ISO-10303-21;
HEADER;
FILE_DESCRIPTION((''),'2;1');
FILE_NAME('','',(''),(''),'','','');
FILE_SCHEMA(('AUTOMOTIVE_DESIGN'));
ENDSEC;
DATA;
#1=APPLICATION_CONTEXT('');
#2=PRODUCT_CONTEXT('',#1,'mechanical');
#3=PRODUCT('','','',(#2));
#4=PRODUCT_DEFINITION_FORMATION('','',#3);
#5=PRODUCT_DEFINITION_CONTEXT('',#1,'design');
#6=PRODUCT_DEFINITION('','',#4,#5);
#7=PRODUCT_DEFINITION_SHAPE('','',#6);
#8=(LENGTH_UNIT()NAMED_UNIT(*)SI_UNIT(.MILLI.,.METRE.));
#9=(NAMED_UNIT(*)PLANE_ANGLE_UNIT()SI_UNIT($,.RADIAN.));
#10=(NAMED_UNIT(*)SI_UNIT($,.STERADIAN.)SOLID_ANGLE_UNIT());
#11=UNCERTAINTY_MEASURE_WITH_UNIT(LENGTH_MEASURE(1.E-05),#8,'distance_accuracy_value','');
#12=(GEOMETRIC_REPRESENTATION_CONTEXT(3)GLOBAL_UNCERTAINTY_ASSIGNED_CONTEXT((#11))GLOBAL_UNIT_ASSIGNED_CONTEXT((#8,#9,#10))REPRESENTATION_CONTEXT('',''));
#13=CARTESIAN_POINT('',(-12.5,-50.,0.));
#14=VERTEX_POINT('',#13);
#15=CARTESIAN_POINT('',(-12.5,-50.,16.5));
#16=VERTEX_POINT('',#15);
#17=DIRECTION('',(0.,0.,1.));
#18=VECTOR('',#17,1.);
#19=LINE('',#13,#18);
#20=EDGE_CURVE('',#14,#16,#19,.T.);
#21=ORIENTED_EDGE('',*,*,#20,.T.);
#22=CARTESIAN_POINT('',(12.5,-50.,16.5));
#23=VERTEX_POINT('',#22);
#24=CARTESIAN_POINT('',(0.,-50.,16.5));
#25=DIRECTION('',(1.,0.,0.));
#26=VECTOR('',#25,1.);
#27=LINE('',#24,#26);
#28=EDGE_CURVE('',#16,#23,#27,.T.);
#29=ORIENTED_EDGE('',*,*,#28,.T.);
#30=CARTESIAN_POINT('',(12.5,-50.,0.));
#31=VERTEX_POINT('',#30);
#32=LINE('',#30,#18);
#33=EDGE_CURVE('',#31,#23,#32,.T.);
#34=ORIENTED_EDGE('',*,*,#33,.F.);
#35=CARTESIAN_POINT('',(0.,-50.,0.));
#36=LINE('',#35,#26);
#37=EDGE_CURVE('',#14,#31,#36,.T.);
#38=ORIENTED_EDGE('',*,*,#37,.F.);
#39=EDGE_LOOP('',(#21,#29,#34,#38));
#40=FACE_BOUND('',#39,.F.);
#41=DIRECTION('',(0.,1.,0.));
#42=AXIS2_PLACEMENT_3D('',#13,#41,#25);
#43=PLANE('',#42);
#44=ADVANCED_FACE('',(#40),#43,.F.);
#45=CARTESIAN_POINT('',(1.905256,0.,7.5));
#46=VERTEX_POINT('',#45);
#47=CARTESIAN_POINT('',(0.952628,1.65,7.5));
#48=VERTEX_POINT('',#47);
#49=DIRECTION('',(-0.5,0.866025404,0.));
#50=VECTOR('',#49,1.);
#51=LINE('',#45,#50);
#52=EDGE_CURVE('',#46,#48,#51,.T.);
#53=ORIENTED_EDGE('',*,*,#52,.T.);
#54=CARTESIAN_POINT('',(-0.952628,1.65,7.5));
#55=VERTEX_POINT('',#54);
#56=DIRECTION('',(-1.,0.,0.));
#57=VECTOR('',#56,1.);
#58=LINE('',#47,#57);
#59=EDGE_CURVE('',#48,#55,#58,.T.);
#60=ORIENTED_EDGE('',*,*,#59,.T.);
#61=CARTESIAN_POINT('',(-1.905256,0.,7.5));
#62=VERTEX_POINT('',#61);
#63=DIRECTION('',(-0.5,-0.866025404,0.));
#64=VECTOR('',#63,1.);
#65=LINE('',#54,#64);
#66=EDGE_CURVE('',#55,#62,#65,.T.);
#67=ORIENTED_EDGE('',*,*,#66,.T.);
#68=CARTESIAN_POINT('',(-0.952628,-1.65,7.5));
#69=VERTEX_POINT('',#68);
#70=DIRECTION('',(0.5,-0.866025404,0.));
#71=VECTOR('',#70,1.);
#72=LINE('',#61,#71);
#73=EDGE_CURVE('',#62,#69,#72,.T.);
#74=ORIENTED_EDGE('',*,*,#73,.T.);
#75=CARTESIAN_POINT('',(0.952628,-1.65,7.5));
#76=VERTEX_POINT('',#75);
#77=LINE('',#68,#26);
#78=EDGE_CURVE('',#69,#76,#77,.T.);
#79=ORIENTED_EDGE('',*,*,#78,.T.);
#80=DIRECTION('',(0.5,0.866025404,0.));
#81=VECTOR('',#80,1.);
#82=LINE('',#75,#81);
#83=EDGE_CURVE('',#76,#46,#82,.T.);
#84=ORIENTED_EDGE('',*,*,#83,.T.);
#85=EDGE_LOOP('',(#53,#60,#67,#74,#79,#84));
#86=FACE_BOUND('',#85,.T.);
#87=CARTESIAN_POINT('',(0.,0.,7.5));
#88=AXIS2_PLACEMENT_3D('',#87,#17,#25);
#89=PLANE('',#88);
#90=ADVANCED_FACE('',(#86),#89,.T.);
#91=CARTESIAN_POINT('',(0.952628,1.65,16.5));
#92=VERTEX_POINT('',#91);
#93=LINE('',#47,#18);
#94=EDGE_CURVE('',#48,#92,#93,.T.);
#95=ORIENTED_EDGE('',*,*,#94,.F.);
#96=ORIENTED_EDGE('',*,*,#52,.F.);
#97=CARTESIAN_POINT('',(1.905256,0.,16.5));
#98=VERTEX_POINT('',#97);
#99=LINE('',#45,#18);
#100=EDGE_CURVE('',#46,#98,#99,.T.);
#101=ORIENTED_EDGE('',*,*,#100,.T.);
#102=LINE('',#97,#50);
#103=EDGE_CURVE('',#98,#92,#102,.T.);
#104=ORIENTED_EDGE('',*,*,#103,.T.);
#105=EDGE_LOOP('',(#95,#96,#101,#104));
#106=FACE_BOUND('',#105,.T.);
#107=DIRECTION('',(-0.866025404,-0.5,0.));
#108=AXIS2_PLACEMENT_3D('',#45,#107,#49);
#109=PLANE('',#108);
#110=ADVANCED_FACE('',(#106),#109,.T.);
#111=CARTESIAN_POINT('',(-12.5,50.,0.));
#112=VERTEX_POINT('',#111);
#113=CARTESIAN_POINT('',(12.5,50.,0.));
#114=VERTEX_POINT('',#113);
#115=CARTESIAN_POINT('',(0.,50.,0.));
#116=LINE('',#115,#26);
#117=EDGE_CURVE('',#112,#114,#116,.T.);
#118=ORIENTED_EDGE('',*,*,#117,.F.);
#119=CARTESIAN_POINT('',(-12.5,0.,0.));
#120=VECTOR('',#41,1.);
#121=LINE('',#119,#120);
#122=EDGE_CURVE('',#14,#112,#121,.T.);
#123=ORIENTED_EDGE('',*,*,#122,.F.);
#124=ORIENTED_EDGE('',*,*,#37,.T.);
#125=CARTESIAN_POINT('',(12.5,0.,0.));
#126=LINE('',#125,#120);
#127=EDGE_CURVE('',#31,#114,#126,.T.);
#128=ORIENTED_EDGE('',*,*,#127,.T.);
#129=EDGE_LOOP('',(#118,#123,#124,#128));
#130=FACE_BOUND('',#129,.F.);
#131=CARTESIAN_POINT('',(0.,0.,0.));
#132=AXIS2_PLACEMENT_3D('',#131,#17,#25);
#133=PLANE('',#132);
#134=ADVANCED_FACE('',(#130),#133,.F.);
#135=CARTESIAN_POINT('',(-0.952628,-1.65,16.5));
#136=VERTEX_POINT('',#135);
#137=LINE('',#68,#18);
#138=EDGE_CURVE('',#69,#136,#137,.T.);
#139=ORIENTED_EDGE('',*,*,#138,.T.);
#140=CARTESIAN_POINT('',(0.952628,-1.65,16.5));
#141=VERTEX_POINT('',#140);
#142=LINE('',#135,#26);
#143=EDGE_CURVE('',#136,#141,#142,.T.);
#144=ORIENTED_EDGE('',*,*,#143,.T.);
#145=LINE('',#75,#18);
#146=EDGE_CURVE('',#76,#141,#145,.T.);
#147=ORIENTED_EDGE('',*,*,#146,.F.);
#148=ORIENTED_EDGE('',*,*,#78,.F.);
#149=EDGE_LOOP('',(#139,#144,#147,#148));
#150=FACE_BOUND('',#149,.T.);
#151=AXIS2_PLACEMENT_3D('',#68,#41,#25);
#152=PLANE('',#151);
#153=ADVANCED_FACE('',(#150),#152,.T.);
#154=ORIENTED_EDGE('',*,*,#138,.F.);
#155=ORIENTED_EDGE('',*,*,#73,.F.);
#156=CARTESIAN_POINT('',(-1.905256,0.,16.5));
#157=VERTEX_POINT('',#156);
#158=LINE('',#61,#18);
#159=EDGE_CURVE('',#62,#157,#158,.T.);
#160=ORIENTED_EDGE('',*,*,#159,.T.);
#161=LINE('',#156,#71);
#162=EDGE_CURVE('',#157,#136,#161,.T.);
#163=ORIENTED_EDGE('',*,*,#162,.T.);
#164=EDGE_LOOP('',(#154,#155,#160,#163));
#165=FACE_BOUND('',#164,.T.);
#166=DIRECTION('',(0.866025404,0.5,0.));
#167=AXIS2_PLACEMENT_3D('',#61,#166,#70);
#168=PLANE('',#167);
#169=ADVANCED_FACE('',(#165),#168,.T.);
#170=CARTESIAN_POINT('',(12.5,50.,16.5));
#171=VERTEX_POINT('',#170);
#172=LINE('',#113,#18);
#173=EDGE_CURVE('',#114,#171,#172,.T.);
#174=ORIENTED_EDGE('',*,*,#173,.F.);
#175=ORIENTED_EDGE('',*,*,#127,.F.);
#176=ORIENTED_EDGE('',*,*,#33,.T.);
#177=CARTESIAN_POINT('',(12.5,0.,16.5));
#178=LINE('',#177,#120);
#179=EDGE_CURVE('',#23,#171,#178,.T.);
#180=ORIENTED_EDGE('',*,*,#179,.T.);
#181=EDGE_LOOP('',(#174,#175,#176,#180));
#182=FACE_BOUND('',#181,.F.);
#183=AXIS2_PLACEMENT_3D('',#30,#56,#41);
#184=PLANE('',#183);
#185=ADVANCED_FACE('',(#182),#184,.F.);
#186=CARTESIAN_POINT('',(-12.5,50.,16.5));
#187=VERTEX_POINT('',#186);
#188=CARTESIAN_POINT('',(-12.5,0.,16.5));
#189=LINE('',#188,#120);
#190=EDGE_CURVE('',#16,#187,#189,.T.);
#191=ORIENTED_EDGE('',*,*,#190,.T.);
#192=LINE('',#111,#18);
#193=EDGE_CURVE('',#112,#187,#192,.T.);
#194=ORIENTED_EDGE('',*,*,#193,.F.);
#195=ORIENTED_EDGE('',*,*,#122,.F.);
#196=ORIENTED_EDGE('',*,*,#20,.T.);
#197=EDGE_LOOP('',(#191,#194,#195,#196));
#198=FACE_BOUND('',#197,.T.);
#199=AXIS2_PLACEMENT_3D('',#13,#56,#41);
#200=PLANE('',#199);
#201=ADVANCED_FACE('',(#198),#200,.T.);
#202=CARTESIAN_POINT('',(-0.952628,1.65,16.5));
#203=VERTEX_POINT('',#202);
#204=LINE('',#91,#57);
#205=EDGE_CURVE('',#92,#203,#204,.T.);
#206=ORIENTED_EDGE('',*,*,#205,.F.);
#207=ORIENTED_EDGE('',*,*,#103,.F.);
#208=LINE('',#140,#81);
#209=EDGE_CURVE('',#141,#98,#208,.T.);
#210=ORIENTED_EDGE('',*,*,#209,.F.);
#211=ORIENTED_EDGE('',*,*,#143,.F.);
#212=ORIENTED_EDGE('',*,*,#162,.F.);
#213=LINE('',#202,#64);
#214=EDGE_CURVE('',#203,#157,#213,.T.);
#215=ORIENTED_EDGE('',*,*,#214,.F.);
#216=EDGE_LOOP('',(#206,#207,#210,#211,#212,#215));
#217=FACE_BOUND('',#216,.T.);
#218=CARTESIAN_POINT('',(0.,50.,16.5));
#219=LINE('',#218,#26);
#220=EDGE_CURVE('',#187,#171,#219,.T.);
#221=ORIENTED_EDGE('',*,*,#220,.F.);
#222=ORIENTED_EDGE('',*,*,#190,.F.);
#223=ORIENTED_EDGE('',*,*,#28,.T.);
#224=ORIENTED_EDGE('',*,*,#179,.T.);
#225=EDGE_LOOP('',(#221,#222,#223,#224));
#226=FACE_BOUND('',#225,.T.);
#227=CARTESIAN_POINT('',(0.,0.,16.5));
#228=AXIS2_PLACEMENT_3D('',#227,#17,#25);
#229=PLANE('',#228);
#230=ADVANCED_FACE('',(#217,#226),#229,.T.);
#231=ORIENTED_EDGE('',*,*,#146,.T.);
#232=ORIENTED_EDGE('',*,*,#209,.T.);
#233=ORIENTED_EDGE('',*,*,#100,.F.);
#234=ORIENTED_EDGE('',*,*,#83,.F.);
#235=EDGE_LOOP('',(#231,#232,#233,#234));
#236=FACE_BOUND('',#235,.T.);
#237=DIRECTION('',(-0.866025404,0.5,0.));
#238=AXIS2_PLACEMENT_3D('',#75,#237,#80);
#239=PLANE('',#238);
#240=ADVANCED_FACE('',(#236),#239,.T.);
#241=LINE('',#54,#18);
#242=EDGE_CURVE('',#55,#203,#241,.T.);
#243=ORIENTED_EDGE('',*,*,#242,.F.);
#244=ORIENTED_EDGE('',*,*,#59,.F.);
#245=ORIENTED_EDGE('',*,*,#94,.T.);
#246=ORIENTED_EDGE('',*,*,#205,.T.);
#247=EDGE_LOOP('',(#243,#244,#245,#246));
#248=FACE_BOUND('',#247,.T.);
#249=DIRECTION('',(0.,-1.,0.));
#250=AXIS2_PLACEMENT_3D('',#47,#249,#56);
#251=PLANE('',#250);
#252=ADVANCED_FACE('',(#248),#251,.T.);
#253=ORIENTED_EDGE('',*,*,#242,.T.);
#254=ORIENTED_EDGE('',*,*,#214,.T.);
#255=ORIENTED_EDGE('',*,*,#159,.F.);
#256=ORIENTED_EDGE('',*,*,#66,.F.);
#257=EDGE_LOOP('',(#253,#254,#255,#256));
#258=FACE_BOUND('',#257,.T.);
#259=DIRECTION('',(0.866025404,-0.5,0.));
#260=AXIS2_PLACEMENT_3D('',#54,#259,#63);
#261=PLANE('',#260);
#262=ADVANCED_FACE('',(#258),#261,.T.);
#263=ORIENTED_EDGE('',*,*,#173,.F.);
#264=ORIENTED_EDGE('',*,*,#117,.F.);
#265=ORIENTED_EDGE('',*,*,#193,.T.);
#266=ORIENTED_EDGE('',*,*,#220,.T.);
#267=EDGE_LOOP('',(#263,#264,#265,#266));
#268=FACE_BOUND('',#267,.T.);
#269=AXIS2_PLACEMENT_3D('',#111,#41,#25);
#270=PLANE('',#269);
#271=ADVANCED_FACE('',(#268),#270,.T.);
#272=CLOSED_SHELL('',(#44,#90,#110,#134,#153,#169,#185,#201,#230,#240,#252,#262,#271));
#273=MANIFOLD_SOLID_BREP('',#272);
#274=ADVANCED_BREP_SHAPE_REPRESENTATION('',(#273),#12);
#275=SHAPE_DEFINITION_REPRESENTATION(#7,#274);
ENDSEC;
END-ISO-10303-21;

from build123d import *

# Parameters (mm, degrees)
F4_W     = 25
F4_H     = 100
F5_DEPTH = 16.5
F7_START = 7.5
F7_DEPTH = 9


with BuildPart() as f5:
    # F4 (on Top) → F5 (new body)
    with BuildSketch(Plane.XY):
        Rectangle(F4_W, F4_H)
    extrude(amount=F5_DEPTH)

    # F6 (on Top) → F7 (cut)
    with BuildSketch(Plane.XY.offset(F7_START)):
        Polygon((0.9526279442, 1.65), (-0.9526279442, 1.65), (-1.9052558883, 0), (-0.9526279442, -1.65), (0.9526279442, -1.65), (1.9052558883, 0), align=None)
    extrude(amount=F7_DEPTH, mode=Mode.SUBTRACT)


solid = f5.part
